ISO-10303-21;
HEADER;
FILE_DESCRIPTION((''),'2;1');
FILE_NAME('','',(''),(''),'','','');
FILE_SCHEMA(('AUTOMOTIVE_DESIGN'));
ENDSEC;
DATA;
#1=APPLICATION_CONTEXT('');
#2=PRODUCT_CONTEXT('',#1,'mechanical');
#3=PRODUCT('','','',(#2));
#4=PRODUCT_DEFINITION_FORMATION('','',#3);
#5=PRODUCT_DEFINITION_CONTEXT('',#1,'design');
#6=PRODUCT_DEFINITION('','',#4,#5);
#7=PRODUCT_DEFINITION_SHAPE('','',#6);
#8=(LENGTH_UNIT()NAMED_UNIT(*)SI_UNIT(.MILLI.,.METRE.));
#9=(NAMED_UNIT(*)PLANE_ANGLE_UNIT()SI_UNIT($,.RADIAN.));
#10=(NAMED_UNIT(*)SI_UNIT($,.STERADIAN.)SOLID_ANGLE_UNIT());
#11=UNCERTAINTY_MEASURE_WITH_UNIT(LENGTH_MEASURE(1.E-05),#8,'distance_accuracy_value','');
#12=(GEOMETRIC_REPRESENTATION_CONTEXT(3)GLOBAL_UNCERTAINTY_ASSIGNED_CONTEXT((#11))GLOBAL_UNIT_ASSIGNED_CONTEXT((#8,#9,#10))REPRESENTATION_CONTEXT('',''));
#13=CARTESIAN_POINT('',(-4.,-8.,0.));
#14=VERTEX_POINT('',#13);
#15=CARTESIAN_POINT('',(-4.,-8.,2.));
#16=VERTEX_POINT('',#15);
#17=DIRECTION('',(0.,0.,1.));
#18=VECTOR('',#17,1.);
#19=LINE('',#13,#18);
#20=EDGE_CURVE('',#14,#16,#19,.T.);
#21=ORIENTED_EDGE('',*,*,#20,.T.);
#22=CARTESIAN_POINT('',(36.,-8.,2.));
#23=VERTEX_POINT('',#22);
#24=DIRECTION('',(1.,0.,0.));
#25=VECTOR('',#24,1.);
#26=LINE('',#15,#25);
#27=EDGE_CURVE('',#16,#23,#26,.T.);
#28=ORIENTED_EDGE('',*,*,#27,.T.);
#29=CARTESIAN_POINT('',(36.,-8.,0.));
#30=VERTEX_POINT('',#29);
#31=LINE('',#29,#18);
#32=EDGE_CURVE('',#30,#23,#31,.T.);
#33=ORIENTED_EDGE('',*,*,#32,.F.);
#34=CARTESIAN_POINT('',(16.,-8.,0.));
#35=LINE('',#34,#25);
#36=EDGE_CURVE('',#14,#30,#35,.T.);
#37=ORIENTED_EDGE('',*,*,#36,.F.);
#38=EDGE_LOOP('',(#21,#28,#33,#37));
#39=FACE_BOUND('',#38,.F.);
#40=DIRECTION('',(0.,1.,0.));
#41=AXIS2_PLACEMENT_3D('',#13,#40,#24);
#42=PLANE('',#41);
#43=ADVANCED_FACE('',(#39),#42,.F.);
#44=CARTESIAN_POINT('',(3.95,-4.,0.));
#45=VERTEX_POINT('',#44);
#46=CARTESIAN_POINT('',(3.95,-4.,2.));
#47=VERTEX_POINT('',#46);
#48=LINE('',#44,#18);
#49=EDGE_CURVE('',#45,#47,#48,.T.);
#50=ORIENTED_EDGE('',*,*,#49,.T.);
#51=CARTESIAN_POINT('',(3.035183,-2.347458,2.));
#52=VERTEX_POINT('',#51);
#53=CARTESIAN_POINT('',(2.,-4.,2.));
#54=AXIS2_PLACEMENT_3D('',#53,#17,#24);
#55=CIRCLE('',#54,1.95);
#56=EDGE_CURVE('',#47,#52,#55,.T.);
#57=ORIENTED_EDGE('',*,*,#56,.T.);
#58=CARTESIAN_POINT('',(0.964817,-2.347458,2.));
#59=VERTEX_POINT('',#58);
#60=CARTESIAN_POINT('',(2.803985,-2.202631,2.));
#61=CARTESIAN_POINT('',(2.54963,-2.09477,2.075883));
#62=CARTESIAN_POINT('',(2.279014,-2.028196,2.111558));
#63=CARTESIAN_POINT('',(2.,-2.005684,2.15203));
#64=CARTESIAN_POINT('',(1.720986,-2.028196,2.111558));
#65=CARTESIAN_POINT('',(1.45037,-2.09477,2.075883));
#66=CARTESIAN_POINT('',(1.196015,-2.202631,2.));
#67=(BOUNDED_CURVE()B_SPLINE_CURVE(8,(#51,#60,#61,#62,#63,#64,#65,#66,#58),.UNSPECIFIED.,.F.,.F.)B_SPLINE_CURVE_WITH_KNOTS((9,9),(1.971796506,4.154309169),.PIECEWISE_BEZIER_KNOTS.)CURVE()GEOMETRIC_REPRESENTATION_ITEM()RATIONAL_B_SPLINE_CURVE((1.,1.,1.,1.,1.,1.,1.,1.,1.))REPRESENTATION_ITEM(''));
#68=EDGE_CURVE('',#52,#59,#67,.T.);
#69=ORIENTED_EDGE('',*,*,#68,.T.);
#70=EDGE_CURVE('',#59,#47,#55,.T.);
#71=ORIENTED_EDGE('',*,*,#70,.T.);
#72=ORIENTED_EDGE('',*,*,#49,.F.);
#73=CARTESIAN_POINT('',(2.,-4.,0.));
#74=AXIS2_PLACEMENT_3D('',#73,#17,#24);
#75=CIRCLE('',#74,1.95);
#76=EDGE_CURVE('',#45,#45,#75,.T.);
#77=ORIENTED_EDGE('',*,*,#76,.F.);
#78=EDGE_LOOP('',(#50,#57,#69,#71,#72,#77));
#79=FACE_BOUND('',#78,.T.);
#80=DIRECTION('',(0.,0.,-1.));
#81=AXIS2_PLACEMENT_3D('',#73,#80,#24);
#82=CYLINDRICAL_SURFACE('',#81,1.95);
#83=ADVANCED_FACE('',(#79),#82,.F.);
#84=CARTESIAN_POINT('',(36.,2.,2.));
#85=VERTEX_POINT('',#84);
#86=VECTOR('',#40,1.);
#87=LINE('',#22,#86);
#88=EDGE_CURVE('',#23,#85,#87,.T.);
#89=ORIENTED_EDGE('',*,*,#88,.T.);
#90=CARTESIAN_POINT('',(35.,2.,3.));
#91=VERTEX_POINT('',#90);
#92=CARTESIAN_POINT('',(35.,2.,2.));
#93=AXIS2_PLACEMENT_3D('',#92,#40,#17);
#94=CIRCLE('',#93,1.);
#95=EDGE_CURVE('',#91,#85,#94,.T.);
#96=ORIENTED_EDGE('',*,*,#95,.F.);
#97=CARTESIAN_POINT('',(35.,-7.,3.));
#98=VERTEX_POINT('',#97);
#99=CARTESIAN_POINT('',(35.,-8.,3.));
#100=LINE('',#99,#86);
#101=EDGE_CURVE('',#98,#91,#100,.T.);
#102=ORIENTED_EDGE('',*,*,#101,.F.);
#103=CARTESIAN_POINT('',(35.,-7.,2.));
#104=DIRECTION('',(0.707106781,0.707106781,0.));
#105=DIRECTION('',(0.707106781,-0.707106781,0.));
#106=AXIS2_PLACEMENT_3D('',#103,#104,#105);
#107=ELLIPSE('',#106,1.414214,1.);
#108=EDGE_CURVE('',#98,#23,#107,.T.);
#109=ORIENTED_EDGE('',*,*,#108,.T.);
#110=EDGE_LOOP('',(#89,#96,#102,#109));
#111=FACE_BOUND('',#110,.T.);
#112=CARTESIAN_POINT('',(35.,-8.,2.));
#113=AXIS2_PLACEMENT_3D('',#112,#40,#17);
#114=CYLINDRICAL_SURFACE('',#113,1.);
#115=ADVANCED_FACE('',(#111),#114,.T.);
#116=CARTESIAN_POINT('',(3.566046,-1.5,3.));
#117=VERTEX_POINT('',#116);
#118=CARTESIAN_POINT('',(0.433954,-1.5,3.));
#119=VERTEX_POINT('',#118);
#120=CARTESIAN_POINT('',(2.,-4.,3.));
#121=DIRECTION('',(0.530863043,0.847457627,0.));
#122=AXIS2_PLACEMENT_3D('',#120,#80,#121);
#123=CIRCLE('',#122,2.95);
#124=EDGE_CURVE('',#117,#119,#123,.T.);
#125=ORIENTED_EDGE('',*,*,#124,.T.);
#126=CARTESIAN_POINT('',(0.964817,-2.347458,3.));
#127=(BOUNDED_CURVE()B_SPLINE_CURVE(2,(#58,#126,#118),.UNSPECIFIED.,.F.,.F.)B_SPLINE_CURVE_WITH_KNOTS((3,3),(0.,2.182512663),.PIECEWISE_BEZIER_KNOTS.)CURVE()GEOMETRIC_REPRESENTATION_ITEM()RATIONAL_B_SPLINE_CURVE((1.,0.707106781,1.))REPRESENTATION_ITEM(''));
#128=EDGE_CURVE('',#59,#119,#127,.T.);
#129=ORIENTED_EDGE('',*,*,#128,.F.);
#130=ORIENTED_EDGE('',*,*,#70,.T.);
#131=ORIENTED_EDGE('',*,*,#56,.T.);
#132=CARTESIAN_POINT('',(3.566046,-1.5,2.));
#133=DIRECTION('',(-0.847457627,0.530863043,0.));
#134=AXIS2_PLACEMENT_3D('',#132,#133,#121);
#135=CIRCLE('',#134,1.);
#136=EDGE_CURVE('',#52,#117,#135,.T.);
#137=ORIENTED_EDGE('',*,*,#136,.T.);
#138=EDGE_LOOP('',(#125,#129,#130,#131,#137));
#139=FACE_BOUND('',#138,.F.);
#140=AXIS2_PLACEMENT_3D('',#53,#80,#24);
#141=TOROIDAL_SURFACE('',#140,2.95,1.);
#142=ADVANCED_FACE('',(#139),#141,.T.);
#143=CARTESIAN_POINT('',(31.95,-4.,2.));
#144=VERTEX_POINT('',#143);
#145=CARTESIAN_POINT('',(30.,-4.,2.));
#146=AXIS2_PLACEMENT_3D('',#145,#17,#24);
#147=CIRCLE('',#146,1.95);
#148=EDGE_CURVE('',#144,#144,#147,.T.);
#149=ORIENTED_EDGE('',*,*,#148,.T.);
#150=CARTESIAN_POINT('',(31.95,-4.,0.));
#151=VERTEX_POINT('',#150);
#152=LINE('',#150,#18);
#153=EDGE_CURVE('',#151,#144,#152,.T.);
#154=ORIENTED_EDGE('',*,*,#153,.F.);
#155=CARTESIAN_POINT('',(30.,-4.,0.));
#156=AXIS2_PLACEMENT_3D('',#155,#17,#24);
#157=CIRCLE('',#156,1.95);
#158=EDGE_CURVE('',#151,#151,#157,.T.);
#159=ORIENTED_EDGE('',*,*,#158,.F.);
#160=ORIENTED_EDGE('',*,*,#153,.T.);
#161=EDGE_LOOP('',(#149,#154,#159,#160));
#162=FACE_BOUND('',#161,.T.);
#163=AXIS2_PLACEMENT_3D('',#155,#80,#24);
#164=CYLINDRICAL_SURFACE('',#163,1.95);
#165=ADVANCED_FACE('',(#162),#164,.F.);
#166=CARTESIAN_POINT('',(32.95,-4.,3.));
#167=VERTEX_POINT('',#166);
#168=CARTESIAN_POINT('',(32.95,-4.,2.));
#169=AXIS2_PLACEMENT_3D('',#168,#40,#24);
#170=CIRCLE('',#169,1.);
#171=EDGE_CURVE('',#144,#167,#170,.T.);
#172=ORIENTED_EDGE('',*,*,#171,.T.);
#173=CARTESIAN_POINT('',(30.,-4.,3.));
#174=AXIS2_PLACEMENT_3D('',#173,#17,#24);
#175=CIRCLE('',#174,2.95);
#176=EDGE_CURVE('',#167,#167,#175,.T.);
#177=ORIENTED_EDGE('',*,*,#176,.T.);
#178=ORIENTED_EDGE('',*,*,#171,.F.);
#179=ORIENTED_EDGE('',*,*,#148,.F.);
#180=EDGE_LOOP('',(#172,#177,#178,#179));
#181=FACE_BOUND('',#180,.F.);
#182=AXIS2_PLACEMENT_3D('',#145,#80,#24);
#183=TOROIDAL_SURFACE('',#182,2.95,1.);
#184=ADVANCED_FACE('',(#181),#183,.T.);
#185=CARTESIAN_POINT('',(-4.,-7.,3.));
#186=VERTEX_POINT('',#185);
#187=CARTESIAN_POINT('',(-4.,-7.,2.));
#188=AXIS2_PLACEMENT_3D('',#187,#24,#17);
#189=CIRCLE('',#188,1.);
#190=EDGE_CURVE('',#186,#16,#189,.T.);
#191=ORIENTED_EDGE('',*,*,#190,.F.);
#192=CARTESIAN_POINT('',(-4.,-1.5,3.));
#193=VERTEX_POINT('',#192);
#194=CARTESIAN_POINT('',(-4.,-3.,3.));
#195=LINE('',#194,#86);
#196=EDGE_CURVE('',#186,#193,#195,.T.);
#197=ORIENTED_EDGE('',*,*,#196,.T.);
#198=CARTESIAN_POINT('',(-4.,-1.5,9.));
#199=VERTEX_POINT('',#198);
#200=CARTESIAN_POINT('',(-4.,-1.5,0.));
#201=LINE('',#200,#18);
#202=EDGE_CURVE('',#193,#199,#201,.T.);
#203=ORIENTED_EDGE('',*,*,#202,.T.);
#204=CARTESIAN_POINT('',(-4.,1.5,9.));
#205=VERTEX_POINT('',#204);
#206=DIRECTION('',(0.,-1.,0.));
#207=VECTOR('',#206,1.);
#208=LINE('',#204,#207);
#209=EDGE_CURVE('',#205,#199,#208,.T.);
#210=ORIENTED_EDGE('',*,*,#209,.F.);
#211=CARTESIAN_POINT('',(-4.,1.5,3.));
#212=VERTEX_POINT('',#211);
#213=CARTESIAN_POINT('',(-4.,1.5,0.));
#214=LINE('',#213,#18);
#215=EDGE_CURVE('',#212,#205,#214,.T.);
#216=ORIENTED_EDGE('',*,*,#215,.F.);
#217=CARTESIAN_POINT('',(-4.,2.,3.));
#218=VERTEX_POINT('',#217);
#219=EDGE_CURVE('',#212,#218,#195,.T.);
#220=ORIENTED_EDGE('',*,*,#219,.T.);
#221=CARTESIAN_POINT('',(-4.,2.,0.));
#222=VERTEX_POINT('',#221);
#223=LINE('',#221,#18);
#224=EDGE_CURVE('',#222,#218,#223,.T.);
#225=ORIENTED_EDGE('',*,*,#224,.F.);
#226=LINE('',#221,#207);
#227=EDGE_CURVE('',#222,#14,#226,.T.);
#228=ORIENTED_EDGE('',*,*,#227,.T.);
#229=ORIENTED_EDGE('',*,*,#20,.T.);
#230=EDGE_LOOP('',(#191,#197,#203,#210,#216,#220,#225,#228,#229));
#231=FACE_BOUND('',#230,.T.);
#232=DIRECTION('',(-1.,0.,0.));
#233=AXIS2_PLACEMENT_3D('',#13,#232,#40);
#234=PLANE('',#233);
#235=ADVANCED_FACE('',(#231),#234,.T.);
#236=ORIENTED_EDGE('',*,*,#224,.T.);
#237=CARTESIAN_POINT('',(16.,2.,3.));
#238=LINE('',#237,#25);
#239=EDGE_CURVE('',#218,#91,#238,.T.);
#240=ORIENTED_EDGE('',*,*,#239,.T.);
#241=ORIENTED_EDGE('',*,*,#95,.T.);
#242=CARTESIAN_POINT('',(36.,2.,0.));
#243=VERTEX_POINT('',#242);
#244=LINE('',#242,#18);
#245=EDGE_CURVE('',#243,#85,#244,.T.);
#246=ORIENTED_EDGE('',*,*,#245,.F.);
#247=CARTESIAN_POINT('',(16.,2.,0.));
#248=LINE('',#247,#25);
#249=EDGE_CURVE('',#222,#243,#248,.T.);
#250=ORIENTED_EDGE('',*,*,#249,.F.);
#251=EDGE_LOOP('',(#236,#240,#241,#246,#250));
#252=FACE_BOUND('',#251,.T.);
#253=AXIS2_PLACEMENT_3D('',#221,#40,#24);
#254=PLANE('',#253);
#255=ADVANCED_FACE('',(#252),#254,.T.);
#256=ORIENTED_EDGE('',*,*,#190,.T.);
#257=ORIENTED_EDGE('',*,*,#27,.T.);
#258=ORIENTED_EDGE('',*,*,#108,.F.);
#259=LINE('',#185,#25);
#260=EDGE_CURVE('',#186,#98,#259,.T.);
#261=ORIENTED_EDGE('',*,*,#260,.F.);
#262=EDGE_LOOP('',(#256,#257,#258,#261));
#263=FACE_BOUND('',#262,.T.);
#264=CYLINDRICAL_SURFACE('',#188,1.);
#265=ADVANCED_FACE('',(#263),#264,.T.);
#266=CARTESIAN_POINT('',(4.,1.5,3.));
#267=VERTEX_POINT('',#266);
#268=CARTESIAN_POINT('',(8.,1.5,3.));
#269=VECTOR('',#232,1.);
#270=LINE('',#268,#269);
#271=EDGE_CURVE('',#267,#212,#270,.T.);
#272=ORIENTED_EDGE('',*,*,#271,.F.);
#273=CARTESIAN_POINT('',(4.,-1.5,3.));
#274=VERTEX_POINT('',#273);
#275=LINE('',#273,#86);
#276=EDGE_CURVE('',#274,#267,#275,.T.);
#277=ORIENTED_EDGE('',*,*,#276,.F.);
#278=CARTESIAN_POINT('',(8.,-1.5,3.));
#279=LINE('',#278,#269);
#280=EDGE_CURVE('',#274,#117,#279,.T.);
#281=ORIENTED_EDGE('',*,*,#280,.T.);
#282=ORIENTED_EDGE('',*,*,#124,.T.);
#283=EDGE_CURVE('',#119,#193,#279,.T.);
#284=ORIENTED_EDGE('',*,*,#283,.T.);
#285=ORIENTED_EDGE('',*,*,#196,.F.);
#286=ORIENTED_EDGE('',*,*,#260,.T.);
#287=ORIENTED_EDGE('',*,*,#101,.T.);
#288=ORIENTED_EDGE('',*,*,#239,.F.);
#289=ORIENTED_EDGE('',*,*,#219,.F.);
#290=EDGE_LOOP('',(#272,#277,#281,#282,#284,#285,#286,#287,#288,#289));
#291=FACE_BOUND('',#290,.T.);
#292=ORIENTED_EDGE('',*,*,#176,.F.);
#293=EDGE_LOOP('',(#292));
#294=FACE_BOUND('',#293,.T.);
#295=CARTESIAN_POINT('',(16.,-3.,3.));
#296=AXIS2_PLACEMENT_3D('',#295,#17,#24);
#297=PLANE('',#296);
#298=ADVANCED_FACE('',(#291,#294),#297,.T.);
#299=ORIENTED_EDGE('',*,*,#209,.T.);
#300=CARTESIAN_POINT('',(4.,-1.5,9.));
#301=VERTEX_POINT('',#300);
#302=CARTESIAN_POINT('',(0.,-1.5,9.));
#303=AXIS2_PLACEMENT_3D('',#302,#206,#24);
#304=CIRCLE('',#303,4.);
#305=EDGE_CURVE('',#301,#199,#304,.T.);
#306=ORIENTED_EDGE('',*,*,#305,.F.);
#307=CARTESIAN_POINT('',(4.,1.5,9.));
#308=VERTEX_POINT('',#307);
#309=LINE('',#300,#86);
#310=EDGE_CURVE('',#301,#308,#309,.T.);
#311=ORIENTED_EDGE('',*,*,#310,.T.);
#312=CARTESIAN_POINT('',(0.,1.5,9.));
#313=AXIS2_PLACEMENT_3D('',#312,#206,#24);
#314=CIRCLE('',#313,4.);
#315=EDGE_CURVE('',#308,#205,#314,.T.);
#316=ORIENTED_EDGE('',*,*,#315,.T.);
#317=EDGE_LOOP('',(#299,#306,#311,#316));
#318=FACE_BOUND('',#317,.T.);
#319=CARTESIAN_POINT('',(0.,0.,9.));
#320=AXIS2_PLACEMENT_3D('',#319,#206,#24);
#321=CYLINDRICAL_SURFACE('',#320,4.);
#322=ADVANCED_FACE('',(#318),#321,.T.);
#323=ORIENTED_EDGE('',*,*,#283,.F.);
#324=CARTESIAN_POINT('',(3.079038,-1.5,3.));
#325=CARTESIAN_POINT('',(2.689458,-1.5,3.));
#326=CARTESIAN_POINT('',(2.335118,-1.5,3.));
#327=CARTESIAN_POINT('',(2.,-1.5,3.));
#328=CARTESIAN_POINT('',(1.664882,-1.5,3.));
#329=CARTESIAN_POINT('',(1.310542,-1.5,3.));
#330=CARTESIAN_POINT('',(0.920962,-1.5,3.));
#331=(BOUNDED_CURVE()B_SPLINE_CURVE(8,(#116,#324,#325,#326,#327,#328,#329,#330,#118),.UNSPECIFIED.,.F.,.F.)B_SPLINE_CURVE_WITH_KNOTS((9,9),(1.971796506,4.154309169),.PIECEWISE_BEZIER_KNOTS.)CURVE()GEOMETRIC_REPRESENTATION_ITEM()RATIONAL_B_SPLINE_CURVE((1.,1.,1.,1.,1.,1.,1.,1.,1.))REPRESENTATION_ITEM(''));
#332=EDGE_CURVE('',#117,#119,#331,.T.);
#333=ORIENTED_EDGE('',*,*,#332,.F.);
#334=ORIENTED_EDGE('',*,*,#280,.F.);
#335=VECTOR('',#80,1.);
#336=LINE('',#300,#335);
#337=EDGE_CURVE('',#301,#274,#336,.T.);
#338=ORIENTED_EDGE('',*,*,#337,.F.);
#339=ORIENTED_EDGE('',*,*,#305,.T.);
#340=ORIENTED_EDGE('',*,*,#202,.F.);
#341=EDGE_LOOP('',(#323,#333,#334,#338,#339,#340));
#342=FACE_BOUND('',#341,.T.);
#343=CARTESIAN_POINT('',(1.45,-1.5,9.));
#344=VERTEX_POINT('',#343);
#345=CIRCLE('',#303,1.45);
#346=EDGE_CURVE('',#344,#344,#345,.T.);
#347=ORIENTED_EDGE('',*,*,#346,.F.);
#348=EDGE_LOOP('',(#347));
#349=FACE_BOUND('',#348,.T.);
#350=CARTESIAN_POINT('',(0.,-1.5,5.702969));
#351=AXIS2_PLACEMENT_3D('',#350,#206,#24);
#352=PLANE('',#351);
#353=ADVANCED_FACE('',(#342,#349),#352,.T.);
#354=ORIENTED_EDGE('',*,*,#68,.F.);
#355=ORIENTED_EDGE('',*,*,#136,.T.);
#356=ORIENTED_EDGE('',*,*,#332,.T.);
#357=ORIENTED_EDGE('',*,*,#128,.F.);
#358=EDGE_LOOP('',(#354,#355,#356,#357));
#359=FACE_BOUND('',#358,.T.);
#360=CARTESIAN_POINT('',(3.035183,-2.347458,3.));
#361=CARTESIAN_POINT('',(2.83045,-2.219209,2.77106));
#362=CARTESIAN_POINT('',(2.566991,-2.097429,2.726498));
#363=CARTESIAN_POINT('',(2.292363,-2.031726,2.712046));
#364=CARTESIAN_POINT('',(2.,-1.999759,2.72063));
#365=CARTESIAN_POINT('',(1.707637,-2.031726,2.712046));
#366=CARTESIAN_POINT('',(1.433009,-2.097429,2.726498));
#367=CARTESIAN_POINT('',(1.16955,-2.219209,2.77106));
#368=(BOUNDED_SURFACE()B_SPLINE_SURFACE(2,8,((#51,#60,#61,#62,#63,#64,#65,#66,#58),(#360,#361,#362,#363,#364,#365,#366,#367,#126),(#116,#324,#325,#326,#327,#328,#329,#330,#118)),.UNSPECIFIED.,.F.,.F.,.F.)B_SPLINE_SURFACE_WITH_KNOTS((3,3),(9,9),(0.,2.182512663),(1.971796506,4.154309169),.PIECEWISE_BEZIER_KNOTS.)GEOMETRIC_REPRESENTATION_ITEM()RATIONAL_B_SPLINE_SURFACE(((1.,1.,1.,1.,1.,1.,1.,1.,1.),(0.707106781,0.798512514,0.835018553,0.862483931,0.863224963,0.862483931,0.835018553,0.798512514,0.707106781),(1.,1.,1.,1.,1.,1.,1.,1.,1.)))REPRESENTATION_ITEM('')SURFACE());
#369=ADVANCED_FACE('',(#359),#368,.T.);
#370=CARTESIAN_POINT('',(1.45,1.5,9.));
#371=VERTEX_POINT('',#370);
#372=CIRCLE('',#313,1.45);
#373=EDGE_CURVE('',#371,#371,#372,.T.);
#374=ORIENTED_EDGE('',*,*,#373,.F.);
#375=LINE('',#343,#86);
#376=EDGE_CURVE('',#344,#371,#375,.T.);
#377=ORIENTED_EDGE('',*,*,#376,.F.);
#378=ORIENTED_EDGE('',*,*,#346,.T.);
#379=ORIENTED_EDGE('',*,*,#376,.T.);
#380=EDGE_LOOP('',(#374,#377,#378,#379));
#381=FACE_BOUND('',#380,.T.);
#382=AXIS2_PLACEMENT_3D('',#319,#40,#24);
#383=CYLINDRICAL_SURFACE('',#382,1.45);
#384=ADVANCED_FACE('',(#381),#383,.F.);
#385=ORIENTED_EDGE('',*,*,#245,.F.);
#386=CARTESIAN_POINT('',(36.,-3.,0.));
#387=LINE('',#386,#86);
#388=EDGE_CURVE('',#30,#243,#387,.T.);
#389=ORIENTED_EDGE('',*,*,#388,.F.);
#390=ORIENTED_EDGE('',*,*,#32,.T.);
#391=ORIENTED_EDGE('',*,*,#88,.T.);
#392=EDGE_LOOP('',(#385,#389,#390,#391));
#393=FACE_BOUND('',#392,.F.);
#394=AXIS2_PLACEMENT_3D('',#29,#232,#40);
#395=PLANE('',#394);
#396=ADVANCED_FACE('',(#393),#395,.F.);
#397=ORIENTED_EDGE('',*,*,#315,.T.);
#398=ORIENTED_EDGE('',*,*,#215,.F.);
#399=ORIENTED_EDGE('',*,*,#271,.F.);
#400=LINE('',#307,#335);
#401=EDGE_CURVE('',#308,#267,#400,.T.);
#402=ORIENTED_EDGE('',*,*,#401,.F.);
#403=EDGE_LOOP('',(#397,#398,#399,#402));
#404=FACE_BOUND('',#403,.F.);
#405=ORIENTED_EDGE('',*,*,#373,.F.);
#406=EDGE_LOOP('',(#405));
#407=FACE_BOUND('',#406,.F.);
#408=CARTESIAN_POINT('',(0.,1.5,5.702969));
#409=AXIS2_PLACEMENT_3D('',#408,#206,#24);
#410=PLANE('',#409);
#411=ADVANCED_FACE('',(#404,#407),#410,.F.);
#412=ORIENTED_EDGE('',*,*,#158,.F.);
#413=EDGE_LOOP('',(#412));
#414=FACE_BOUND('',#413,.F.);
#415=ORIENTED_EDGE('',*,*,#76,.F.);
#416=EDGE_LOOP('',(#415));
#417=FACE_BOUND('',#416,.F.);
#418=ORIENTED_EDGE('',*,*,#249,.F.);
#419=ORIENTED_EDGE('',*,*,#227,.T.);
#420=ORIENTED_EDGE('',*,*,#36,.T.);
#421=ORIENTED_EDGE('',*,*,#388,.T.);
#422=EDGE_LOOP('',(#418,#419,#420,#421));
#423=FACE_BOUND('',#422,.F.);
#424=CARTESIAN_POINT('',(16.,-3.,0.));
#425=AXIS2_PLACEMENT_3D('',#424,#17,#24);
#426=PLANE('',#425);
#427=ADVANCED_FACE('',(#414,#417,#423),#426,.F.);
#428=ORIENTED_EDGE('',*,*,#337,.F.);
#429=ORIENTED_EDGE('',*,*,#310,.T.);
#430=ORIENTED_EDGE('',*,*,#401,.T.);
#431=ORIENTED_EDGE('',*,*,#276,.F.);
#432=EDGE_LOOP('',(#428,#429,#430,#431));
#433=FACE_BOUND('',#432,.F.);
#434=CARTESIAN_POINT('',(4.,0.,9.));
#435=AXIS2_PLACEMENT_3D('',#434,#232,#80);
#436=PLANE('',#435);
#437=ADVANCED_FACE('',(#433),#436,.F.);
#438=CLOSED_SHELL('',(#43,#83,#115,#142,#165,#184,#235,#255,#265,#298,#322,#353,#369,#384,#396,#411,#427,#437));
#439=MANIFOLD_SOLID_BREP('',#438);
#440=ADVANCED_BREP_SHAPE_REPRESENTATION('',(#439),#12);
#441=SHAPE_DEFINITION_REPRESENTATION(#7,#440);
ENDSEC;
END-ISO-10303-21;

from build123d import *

# Parameters (mm, degrees)
SKETCH011_R  = 1.45
PAD009_DEPTH = 1.5
SKETCH010_W  = 40
SKETCH010_H  = 10
SKETCH010_R  = 1.95
PAD010_DEPTH = 3
FILLET_R     = 1
FILLET001_R  = 1


with BuildPart() as part:
    # Sketch011 → Pad009 (new body, symmetric)
    with BuildSketch(Plane.XZ):
        with BuildLine():
            ThreePointArc((4, 9), (0, 13), (-4, 9))
            Line((-4, 0), (-4, 9))
            Line((4, 0), (-4, 0))
            Line((4, 9), (4, 0))
        make_face()
        with Locations((0, 9)):
            Circle(SKETCH011_R, mode=Mode.SUBTRACT)
    extrude(amount=PAD009_DEPTH, both=True)

    # Sketch010 → Pad010 (join)
    with BuildSketch(Plane.XY):
        with Locations((16, -3)):
            Rectangle(SKETCH010_W, SKETCH010_H)
        with Locations((2, -4)):
            Circle(SKETCH010_R, mode=Mode.SUBTRACT)
        with Locations((30, -4)):
            Circle(SKETCH010_R, mode=Mode.SUBTRACT)
    extrude(amount=PAD010_DEPTH)

    # Fillet
    fillet_edges = [part.edges().sort_by_distance(p)[0] for p in [
        (28.05, -4, 3),
        (0.05, -4, 3),
    ]]
    fillet(fillet_edges, radius=FILLET_R)

    # Fillet001
    fillet001_edges = [part.edges().sort_by_distance(p)[0] for p in [
        (16, -8, 3),
        (36, -3, 3),
    ]]
    fillet(fillet001_edges, radius=FILLET001_R)


solid = part.part
